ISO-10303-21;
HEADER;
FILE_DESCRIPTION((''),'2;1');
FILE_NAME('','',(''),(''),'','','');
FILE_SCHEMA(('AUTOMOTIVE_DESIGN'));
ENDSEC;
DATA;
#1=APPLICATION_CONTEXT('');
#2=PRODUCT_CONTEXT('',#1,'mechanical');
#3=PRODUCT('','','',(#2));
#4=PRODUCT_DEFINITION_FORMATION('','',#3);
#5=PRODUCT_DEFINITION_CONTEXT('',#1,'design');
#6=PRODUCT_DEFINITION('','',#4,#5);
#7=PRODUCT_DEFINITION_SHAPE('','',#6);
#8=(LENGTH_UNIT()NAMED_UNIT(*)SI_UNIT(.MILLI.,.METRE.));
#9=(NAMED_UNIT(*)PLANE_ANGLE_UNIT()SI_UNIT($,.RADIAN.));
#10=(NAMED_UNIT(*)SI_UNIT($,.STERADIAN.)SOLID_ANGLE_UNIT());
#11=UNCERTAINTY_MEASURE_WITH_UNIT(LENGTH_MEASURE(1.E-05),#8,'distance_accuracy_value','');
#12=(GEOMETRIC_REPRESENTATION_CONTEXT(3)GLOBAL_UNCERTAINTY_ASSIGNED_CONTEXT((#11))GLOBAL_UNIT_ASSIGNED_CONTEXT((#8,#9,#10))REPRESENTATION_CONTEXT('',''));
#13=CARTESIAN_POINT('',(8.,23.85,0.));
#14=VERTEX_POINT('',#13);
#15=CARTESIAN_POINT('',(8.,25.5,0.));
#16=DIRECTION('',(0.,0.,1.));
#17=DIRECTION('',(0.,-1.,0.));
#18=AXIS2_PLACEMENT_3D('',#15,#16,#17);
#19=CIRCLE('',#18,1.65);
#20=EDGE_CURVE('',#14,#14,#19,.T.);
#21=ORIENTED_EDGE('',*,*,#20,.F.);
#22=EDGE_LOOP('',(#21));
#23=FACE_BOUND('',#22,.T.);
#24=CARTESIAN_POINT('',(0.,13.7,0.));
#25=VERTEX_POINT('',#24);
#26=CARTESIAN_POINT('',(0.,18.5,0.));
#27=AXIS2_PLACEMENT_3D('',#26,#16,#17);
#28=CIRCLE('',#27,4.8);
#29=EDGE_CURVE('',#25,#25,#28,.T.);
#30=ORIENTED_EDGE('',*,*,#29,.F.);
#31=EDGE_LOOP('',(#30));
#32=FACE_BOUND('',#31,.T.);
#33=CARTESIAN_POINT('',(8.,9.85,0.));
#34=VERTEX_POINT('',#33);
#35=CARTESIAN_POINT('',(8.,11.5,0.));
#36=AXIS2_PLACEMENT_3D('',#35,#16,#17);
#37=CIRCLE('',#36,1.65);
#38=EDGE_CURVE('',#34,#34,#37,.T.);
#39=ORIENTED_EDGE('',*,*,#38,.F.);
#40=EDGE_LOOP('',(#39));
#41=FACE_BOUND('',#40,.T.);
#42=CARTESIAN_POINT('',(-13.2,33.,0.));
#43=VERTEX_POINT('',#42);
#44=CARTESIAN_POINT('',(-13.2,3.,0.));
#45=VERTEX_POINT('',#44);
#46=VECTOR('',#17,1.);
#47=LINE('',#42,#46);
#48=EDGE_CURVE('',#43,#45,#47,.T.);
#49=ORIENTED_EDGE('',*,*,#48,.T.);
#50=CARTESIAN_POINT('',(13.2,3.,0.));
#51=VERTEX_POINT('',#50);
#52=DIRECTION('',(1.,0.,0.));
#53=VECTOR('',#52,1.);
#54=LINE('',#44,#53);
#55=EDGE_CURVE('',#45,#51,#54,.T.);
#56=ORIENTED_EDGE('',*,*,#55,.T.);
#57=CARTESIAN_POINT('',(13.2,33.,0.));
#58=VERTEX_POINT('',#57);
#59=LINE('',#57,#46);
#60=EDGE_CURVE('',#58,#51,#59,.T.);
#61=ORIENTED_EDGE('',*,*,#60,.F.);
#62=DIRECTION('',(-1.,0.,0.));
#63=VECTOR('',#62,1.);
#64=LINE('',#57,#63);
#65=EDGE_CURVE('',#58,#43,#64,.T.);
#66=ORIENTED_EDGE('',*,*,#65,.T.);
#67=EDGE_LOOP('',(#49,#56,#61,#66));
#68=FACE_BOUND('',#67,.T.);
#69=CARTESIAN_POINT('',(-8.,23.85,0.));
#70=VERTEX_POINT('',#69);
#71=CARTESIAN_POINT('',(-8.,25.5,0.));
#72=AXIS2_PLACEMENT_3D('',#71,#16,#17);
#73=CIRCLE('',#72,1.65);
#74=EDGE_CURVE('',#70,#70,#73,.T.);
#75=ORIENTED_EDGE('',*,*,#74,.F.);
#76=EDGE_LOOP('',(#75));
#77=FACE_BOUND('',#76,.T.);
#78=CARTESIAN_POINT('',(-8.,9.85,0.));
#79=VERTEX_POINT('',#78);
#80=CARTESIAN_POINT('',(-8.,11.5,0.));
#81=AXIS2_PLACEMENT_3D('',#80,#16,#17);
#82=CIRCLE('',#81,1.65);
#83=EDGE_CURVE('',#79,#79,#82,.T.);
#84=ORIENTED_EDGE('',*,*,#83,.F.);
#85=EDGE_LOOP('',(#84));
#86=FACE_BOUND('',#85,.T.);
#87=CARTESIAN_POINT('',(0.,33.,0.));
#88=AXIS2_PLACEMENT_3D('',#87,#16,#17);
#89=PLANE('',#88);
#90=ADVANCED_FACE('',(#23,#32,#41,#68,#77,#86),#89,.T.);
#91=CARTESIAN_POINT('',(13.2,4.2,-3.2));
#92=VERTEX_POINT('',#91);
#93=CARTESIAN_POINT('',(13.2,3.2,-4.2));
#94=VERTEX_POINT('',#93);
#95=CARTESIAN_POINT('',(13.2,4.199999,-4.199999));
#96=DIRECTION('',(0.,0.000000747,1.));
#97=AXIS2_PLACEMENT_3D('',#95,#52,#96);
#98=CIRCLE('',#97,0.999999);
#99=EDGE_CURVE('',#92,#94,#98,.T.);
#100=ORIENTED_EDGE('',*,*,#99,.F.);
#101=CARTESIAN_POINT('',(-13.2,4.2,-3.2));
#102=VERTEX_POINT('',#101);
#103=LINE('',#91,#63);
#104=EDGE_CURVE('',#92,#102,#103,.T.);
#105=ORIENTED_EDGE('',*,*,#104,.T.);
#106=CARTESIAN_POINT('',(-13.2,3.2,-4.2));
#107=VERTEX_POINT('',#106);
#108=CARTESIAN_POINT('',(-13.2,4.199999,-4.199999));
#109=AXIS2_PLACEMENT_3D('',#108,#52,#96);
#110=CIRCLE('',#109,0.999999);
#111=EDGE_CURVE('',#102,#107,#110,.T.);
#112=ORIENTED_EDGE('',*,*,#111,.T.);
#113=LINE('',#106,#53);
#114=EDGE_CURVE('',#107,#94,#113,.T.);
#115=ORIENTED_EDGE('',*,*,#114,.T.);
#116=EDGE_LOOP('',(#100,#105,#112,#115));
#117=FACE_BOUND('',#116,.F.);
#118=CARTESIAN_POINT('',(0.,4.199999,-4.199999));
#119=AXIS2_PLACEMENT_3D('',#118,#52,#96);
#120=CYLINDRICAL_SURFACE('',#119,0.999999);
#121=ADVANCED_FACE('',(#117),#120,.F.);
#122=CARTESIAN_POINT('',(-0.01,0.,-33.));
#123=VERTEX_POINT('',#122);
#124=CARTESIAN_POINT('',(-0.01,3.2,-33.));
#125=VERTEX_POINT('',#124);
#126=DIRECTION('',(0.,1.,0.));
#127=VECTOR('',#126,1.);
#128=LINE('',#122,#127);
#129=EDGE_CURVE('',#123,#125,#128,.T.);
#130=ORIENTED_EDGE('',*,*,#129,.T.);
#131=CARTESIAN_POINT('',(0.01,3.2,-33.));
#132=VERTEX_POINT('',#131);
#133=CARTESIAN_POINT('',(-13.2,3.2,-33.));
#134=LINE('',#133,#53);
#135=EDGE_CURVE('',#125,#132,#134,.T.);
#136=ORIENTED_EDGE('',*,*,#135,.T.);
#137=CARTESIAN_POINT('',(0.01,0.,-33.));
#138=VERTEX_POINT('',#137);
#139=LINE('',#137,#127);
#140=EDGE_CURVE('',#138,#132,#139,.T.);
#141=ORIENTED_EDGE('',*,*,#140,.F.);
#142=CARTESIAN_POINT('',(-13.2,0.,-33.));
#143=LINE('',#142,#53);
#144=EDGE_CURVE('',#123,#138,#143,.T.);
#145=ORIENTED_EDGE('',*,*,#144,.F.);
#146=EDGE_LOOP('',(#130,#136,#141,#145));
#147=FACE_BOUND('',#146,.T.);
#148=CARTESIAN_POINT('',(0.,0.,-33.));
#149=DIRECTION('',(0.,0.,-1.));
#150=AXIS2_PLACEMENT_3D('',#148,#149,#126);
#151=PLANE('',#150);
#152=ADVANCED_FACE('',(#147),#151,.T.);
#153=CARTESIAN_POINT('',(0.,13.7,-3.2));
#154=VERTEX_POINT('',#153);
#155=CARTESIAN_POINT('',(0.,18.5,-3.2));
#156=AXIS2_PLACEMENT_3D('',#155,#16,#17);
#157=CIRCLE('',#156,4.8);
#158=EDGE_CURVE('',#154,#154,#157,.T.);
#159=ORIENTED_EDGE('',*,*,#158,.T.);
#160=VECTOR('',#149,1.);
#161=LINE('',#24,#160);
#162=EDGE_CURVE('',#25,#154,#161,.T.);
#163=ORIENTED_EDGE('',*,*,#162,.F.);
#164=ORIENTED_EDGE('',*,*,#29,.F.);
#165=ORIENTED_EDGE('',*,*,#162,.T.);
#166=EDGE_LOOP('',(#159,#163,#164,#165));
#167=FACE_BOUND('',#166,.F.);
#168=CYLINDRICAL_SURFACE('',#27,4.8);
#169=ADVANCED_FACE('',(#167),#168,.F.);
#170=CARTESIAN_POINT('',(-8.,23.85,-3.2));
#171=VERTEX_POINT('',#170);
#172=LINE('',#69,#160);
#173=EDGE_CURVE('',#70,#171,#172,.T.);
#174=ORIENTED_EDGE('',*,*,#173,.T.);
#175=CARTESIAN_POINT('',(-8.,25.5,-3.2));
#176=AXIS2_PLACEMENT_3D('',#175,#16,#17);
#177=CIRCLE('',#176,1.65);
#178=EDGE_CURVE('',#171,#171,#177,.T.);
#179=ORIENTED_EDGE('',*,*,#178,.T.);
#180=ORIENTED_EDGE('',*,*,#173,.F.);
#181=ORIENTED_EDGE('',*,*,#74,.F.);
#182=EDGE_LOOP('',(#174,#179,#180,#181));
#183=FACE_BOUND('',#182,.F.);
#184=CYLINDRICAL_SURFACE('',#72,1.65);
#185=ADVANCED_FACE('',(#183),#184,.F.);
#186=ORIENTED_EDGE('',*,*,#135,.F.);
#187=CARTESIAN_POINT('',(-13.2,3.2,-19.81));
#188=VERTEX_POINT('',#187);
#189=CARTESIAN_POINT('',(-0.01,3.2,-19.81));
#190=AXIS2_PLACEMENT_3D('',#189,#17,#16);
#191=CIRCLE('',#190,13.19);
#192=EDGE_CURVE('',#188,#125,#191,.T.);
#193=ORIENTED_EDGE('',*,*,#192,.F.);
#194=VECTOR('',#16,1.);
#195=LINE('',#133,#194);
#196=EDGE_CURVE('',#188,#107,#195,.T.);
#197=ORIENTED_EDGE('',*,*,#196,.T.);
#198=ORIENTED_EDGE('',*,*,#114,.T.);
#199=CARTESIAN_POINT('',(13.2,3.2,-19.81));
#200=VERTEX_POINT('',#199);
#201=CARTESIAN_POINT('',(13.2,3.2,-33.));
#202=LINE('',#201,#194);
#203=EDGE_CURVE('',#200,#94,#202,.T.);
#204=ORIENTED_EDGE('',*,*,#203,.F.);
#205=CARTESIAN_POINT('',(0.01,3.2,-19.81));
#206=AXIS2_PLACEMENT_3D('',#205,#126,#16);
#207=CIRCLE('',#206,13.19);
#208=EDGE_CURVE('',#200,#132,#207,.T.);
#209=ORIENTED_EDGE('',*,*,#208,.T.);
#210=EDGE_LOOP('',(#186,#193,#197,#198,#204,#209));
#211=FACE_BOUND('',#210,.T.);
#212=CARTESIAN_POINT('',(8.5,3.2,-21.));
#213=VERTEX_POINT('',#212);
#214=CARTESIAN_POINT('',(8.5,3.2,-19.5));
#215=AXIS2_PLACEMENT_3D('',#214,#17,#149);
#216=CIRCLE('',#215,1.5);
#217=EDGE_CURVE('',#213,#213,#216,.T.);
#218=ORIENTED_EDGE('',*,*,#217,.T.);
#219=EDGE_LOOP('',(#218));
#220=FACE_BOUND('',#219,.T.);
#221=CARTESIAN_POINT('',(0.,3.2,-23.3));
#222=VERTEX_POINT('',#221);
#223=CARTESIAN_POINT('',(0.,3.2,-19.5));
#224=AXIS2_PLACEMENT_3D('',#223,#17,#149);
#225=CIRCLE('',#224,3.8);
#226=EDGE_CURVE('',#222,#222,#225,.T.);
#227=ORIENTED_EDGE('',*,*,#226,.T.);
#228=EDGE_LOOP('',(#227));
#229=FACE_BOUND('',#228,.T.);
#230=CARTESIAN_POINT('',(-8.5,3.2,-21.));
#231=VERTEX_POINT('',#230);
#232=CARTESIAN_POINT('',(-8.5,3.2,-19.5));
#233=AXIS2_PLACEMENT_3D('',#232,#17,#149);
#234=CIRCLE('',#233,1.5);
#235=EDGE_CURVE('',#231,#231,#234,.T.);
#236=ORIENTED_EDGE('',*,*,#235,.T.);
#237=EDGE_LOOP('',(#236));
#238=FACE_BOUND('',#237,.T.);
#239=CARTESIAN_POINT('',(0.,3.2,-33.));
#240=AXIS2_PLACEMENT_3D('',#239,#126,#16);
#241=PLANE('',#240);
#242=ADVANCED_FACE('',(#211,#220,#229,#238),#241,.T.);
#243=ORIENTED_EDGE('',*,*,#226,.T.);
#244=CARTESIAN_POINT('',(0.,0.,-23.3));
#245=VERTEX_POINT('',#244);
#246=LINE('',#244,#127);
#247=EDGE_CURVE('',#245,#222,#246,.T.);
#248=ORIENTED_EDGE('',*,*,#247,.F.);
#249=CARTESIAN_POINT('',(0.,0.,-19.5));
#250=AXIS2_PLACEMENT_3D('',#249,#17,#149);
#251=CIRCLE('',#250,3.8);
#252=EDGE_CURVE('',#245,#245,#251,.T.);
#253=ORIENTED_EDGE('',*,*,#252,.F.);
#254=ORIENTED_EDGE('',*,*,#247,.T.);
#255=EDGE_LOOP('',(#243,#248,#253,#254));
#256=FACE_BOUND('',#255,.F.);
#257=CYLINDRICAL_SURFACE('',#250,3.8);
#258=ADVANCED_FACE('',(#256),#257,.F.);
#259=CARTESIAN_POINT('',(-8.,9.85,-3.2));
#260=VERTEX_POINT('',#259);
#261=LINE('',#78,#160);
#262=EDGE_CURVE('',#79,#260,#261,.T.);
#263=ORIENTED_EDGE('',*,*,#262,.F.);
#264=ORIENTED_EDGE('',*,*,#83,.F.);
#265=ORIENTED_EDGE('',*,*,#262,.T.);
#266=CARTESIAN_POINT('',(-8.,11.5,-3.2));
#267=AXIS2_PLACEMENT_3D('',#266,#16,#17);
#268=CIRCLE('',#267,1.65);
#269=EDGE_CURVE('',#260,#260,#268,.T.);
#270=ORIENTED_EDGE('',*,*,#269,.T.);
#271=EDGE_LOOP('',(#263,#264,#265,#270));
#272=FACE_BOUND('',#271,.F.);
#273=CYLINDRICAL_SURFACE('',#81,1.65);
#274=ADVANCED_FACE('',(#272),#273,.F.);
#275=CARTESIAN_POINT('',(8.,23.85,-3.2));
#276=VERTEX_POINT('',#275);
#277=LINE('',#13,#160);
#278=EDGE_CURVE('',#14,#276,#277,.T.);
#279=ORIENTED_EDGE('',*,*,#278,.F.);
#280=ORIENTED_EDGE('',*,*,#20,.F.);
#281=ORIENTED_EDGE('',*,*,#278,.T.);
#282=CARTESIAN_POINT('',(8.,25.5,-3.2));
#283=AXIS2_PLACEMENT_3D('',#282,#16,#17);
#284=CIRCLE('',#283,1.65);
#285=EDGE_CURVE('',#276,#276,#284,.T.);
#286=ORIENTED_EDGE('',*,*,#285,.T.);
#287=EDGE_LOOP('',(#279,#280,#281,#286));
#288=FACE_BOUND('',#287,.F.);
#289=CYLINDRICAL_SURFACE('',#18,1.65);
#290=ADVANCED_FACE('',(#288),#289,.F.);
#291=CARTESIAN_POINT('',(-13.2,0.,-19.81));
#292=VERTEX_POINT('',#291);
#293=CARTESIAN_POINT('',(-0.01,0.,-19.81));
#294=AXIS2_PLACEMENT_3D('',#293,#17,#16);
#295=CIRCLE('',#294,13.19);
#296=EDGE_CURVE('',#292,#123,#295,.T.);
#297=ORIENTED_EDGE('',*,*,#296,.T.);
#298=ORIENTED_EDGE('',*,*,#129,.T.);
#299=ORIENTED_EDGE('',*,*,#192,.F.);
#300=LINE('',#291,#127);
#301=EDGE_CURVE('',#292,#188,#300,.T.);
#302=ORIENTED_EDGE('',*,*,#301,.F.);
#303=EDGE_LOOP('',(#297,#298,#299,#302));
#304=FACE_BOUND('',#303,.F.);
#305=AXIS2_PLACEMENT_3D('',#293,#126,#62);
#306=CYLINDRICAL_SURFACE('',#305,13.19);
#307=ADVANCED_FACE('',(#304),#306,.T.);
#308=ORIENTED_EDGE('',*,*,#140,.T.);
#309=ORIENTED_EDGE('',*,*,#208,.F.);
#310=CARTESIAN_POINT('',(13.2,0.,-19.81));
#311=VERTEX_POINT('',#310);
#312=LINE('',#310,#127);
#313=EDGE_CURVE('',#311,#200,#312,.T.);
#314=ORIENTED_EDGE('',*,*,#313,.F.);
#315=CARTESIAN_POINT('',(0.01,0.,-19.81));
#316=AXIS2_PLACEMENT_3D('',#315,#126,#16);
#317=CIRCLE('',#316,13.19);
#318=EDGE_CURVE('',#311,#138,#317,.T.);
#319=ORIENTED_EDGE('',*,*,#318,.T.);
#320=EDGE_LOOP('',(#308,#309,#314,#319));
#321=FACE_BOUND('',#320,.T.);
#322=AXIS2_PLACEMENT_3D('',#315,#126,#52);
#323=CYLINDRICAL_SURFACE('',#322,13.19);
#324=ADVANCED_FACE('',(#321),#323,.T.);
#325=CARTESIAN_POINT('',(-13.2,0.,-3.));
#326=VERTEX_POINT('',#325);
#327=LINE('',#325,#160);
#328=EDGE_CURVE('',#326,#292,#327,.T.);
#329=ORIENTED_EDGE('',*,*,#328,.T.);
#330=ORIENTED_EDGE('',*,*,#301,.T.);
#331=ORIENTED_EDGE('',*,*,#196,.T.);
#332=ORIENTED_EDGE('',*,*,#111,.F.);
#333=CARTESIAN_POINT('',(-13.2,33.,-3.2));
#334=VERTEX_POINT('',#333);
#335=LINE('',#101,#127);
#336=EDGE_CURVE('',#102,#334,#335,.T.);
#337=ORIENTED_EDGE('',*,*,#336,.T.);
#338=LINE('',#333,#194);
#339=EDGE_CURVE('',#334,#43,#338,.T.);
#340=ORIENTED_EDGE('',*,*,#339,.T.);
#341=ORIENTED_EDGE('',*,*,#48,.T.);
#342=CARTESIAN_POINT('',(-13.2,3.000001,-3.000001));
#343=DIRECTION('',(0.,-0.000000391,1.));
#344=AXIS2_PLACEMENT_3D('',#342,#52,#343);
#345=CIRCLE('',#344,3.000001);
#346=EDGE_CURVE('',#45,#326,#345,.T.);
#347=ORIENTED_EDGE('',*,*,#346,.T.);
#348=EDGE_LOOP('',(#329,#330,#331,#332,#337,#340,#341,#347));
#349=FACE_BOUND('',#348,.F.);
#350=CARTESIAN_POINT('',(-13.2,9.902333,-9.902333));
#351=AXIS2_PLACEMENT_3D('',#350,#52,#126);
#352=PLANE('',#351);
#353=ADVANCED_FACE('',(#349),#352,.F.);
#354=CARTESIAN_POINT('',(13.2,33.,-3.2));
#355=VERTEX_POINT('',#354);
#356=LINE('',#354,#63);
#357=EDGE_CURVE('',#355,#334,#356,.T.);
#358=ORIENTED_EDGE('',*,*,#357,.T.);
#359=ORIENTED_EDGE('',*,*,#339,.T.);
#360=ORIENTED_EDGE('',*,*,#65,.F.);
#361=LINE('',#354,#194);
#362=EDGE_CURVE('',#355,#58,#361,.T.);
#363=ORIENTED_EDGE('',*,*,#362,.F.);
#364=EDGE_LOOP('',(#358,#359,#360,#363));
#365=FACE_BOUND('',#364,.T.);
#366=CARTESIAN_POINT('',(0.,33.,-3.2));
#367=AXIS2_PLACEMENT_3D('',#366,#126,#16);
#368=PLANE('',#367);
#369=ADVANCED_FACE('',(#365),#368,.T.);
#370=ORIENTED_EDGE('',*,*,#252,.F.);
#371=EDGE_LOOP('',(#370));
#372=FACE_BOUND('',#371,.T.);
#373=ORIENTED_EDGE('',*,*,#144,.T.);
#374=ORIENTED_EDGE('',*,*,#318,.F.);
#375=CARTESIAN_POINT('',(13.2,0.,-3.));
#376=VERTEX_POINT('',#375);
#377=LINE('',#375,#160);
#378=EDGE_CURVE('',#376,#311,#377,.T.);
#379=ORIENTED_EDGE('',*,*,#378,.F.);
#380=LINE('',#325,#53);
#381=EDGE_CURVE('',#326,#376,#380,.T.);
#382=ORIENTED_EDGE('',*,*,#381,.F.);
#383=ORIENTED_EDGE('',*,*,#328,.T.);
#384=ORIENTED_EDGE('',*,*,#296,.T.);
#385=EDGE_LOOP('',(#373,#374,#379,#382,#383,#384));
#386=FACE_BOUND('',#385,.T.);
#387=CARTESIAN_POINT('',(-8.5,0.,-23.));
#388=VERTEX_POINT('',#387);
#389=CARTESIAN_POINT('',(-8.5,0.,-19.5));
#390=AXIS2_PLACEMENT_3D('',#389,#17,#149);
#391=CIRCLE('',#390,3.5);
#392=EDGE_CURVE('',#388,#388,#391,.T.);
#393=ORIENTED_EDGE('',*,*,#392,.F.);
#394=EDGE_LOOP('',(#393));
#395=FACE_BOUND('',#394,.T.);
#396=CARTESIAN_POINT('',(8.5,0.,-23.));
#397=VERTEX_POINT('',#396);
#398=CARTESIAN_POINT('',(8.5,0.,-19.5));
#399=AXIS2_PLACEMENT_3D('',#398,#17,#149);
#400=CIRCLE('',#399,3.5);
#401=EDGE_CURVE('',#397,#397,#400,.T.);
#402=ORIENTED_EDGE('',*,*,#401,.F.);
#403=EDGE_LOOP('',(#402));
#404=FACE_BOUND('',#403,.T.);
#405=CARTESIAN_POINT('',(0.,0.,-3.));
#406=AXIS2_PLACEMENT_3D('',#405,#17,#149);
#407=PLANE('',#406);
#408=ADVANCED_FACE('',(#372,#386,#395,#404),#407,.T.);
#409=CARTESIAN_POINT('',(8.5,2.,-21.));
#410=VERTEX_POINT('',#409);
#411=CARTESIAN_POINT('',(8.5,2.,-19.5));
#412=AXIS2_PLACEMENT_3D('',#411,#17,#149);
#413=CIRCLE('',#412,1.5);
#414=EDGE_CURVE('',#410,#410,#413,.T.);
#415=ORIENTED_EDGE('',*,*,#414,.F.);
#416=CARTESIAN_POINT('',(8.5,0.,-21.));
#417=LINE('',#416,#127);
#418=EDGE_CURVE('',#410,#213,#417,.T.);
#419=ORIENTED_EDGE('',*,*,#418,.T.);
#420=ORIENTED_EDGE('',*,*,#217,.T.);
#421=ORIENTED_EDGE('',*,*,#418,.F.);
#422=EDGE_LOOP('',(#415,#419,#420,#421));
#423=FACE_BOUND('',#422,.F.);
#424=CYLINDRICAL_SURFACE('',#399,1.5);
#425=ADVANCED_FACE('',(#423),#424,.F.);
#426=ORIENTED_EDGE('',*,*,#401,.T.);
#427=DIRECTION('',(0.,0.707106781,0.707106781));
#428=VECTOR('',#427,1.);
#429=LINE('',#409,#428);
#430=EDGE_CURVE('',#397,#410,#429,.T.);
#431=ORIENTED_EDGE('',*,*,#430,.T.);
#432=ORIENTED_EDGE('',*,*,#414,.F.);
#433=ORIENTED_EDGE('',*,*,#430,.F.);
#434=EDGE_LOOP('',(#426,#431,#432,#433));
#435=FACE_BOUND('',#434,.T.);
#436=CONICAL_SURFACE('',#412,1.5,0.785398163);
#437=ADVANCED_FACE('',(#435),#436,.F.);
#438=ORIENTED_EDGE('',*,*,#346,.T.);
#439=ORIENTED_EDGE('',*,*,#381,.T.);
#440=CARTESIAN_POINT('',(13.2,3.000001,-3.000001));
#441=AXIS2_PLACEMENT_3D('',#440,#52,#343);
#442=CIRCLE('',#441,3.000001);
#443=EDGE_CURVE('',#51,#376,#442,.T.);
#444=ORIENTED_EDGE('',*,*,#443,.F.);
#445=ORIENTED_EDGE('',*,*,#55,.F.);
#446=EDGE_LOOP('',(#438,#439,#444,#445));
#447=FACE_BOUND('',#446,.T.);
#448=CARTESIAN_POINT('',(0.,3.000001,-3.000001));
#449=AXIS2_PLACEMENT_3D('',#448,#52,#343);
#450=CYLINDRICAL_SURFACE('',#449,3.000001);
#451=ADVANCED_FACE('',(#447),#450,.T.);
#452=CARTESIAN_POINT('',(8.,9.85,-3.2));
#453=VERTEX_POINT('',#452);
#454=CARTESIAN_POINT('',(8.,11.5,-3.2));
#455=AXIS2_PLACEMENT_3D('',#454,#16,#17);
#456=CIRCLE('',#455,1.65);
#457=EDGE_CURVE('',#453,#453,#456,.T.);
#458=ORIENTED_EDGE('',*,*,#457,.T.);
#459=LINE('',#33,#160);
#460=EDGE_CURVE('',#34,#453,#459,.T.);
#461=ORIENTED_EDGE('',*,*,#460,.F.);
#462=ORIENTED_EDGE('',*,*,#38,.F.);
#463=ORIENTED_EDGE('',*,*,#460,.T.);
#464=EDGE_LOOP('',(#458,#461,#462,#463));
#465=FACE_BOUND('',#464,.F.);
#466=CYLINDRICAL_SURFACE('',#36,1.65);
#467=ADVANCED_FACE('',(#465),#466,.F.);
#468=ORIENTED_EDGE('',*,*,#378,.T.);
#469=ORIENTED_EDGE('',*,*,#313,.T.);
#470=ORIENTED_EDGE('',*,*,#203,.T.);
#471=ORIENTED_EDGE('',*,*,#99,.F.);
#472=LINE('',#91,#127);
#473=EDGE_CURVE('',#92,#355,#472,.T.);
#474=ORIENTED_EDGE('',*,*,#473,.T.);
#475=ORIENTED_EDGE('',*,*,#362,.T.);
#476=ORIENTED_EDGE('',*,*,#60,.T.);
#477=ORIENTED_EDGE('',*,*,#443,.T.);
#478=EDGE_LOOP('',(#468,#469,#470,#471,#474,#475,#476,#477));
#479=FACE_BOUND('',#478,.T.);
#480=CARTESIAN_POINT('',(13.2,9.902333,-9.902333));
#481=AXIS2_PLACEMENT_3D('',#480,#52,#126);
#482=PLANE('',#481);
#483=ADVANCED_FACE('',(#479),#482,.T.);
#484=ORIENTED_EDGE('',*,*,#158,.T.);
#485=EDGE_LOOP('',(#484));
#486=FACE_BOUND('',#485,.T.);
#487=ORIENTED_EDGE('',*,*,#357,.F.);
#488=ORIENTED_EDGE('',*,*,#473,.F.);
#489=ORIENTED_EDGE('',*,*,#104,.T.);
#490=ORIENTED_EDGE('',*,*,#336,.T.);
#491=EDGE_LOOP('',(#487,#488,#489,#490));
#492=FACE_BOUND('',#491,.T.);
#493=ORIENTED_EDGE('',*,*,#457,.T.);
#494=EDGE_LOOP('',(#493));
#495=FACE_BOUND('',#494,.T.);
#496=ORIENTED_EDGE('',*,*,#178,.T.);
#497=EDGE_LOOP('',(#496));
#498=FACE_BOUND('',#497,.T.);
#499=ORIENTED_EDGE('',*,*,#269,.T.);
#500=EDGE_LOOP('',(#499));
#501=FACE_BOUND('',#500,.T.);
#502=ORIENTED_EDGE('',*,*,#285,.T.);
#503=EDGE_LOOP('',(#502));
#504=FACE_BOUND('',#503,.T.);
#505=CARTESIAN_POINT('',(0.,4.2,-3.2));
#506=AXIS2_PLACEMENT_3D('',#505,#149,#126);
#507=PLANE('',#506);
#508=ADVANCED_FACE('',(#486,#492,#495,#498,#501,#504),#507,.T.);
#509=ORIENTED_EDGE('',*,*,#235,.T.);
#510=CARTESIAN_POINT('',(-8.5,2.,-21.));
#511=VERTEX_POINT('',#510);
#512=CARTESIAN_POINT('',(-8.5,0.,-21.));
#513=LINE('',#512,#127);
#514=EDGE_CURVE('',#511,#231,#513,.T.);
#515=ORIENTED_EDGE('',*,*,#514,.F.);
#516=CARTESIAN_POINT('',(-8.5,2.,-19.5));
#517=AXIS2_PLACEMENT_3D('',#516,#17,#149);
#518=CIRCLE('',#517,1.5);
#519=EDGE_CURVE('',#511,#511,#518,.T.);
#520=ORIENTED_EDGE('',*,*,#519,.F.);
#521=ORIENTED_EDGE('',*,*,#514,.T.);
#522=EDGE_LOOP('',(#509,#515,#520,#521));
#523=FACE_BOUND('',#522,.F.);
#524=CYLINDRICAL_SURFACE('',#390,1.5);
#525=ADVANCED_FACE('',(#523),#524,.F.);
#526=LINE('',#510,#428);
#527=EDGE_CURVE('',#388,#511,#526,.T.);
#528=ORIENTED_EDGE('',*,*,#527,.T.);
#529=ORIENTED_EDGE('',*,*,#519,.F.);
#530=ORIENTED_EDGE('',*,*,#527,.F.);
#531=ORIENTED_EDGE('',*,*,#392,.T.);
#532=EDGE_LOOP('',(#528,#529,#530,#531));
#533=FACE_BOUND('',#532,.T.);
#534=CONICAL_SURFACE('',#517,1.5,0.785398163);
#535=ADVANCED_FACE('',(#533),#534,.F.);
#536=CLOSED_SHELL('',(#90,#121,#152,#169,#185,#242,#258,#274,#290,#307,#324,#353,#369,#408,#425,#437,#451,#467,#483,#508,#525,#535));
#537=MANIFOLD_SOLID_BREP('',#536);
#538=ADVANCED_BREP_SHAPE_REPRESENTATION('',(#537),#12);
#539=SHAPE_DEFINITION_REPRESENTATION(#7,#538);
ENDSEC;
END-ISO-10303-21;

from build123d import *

# Parameters (mm, degrees)
PAD_DEPTH       = 13.2
SKETCH001_R     = 3.8
SKETCH001_R_2   = 1.5
POCKET_DEPTH    = 33.001
SKETCH002_R     = 4.8
SKETCH002_R_2   = 1.65
POCKET001_DEPTH = 33.001
CHAMFER_SIZE    = 2
FILLET_R        = 13.19


with BuildPart() as part:
    # Sketch → Pad (new body, symmetric)
    with BuildSketch(Plane.YZ):
        with BuildLine():
            Line((33, 0), (3, 0))
            ThreePointArc((3, 0), (0.87868, -0.87868), (0, -3))
            Line((0, -3), (0, -33))
            Line((0, -33), (3.2, -33))
            Line((3.2, -33), (3.2, -4.2))
            ThreePointArc((4.2, -3.2), (3.492893, -3.492893), (3.2, -4.2))
            Line((4.2, -3.2), (33, -3.2))
            Line((33, -3.2), (33, 0))
        make_face()
    extrude(amount=PAD_DEPTH, both=True)

    # Sketch001 (on Face5 of Pad) → Pocket (cut, through all)
    with BuildSketch(Plane(origin=(0, 0, 0), x_dir=(0, 0, -1), z_dir=(0, -1, 0))):
        with Locations((19.5, 0)):
            Circle(SKETCH001_R)
        with Locations((19.5, 8.5)):
            Circle(SKETCH001_R_2)
        with Locations((19.5, -8.5)):
            Circle(SKETCH001_R_2)
    extrude(amount=-POCKET_DEPTH, mode=Mode.SUBTRACT)

    # Sketch002 (on Face7 of Pocket) → Pocket001 (cut, through all)
    with BuildSketch(Plane(origin=(0, 0, 0), x_dir=(0, -1, 0), z_dir=(0, 0, 1))):
        with Locations((-18.5, 0)):
            Circle(SKETCH002_R)
        with Locations((-11.5, 8)):
            Circle(SKETCH002_R_2)
        with Locations((-25.5, 8)):
            Circle(SKETCH002_R_2)
        with Locations((-25.5, -8)):
            Circle(SKETCH002_R_2)
        with Locations((-11.5, -8)):
            Circle(SKETCH002_R_2)
    extrude(amount=-POCKET001_DEPTH, mode=Mode.SUBTRACT)

    # Chamfer
    chamfer_edges = [part.edges().sort_by_distance(p)[0] for p in [
        (-8.5, 0, -18),
        (8.5, 0, -18),
    ]]
    chamfer(chamfer_edges, length=CHAMFER_SIZE)

    # Fillet
    fillet_edges = [part.edges().sort_by_distance(p)[0] for p in [
        (-13.2, 1.6, -33),
        (13.2, 1.6, -33),
    ]]
    fillet(fillet_edges, radius=FILLET_R)


solid = part.part
